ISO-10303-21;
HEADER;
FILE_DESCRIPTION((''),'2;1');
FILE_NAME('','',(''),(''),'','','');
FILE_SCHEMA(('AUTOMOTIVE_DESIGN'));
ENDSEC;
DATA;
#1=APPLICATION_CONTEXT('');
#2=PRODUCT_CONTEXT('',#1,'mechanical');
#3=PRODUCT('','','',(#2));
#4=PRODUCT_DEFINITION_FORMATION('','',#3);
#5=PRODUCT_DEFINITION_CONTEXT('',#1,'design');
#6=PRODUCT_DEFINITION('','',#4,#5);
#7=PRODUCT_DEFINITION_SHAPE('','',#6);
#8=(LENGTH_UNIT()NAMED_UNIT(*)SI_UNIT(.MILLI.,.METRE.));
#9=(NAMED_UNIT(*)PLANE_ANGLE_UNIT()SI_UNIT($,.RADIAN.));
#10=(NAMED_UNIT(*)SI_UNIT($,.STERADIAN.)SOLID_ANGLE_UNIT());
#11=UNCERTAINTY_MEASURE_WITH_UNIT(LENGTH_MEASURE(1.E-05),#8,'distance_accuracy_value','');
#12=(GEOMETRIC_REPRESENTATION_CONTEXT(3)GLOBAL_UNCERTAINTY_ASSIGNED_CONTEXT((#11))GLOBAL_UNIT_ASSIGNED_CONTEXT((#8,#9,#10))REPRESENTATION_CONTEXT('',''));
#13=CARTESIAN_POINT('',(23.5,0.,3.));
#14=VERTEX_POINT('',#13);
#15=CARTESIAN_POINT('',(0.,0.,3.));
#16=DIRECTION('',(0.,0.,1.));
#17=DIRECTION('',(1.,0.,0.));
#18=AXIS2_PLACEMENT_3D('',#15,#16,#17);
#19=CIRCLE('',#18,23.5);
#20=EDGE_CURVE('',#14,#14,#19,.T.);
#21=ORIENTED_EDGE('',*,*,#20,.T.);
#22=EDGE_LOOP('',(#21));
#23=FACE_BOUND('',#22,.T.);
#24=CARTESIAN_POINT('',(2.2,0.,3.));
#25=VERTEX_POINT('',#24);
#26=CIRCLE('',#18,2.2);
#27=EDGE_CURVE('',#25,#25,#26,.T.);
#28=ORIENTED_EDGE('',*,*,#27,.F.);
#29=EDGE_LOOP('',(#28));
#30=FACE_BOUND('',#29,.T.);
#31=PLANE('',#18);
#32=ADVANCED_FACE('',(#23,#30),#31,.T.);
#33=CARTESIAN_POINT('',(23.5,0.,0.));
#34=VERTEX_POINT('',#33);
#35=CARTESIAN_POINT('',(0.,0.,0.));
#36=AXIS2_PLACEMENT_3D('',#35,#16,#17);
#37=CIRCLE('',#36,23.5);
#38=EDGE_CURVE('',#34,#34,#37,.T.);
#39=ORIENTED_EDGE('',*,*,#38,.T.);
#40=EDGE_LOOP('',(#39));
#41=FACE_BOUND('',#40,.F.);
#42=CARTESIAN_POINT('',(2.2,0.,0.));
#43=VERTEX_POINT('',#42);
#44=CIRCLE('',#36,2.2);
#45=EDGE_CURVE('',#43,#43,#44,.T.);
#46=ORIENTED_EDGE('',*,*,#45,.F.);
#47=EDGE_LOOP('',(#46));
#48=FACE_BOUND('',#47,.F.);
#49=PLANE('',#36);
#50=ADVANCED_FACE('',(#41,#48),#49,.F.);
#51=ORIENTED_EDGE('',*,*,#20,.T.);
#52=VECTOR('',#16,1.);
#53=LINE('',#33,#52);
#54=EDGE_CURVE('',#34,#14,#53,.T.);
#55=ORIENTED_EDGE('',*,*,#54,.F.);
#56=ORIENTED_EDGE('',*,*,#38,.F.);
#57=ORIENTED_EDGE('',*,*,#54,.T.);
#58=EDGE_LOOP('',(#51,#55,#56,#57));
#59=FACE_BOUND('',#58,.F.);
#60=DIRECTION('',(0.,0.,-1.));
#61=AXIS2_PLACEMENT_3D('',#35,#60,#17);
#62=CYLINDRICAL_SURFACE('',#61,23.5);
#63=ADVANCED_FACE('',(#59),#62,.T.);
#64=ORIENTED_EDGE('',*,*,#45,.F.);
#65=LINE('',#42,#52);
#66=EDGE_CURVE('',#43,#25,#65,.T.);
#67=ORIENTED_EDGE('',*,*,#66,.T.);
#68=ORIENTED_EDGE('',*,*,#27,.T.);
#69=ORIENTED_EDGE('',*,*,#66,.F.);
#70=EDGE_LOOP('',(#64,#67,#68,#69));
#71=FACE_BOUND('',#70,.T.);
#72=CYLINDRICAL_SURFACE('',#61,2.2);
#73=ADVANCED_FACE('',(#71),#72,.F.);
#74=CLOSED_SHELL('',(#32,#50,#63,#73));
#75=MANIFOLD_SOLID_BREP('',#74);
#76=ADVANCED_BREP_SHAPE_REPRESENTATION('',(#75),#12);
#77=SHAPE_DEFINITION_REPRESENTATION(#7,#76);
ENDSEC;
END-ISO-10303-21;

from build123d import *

# Parameters (mm, degrees)
SKETCH_R      = 23.5
SKETCH_R_2    = 2.2
EXTRUDE_DEPTH = 3


with BuildPart() as part:
    # Sketch → Extrude (new body)
    with BuildSketch(Plane.XY):
        Circle(SKETCH_R)
        Circle(SKETCH_R_2, mode=Mode.SUBTRACT)
    extrude(amount=EXTRUDE_DEPTH)


solid = part.part
